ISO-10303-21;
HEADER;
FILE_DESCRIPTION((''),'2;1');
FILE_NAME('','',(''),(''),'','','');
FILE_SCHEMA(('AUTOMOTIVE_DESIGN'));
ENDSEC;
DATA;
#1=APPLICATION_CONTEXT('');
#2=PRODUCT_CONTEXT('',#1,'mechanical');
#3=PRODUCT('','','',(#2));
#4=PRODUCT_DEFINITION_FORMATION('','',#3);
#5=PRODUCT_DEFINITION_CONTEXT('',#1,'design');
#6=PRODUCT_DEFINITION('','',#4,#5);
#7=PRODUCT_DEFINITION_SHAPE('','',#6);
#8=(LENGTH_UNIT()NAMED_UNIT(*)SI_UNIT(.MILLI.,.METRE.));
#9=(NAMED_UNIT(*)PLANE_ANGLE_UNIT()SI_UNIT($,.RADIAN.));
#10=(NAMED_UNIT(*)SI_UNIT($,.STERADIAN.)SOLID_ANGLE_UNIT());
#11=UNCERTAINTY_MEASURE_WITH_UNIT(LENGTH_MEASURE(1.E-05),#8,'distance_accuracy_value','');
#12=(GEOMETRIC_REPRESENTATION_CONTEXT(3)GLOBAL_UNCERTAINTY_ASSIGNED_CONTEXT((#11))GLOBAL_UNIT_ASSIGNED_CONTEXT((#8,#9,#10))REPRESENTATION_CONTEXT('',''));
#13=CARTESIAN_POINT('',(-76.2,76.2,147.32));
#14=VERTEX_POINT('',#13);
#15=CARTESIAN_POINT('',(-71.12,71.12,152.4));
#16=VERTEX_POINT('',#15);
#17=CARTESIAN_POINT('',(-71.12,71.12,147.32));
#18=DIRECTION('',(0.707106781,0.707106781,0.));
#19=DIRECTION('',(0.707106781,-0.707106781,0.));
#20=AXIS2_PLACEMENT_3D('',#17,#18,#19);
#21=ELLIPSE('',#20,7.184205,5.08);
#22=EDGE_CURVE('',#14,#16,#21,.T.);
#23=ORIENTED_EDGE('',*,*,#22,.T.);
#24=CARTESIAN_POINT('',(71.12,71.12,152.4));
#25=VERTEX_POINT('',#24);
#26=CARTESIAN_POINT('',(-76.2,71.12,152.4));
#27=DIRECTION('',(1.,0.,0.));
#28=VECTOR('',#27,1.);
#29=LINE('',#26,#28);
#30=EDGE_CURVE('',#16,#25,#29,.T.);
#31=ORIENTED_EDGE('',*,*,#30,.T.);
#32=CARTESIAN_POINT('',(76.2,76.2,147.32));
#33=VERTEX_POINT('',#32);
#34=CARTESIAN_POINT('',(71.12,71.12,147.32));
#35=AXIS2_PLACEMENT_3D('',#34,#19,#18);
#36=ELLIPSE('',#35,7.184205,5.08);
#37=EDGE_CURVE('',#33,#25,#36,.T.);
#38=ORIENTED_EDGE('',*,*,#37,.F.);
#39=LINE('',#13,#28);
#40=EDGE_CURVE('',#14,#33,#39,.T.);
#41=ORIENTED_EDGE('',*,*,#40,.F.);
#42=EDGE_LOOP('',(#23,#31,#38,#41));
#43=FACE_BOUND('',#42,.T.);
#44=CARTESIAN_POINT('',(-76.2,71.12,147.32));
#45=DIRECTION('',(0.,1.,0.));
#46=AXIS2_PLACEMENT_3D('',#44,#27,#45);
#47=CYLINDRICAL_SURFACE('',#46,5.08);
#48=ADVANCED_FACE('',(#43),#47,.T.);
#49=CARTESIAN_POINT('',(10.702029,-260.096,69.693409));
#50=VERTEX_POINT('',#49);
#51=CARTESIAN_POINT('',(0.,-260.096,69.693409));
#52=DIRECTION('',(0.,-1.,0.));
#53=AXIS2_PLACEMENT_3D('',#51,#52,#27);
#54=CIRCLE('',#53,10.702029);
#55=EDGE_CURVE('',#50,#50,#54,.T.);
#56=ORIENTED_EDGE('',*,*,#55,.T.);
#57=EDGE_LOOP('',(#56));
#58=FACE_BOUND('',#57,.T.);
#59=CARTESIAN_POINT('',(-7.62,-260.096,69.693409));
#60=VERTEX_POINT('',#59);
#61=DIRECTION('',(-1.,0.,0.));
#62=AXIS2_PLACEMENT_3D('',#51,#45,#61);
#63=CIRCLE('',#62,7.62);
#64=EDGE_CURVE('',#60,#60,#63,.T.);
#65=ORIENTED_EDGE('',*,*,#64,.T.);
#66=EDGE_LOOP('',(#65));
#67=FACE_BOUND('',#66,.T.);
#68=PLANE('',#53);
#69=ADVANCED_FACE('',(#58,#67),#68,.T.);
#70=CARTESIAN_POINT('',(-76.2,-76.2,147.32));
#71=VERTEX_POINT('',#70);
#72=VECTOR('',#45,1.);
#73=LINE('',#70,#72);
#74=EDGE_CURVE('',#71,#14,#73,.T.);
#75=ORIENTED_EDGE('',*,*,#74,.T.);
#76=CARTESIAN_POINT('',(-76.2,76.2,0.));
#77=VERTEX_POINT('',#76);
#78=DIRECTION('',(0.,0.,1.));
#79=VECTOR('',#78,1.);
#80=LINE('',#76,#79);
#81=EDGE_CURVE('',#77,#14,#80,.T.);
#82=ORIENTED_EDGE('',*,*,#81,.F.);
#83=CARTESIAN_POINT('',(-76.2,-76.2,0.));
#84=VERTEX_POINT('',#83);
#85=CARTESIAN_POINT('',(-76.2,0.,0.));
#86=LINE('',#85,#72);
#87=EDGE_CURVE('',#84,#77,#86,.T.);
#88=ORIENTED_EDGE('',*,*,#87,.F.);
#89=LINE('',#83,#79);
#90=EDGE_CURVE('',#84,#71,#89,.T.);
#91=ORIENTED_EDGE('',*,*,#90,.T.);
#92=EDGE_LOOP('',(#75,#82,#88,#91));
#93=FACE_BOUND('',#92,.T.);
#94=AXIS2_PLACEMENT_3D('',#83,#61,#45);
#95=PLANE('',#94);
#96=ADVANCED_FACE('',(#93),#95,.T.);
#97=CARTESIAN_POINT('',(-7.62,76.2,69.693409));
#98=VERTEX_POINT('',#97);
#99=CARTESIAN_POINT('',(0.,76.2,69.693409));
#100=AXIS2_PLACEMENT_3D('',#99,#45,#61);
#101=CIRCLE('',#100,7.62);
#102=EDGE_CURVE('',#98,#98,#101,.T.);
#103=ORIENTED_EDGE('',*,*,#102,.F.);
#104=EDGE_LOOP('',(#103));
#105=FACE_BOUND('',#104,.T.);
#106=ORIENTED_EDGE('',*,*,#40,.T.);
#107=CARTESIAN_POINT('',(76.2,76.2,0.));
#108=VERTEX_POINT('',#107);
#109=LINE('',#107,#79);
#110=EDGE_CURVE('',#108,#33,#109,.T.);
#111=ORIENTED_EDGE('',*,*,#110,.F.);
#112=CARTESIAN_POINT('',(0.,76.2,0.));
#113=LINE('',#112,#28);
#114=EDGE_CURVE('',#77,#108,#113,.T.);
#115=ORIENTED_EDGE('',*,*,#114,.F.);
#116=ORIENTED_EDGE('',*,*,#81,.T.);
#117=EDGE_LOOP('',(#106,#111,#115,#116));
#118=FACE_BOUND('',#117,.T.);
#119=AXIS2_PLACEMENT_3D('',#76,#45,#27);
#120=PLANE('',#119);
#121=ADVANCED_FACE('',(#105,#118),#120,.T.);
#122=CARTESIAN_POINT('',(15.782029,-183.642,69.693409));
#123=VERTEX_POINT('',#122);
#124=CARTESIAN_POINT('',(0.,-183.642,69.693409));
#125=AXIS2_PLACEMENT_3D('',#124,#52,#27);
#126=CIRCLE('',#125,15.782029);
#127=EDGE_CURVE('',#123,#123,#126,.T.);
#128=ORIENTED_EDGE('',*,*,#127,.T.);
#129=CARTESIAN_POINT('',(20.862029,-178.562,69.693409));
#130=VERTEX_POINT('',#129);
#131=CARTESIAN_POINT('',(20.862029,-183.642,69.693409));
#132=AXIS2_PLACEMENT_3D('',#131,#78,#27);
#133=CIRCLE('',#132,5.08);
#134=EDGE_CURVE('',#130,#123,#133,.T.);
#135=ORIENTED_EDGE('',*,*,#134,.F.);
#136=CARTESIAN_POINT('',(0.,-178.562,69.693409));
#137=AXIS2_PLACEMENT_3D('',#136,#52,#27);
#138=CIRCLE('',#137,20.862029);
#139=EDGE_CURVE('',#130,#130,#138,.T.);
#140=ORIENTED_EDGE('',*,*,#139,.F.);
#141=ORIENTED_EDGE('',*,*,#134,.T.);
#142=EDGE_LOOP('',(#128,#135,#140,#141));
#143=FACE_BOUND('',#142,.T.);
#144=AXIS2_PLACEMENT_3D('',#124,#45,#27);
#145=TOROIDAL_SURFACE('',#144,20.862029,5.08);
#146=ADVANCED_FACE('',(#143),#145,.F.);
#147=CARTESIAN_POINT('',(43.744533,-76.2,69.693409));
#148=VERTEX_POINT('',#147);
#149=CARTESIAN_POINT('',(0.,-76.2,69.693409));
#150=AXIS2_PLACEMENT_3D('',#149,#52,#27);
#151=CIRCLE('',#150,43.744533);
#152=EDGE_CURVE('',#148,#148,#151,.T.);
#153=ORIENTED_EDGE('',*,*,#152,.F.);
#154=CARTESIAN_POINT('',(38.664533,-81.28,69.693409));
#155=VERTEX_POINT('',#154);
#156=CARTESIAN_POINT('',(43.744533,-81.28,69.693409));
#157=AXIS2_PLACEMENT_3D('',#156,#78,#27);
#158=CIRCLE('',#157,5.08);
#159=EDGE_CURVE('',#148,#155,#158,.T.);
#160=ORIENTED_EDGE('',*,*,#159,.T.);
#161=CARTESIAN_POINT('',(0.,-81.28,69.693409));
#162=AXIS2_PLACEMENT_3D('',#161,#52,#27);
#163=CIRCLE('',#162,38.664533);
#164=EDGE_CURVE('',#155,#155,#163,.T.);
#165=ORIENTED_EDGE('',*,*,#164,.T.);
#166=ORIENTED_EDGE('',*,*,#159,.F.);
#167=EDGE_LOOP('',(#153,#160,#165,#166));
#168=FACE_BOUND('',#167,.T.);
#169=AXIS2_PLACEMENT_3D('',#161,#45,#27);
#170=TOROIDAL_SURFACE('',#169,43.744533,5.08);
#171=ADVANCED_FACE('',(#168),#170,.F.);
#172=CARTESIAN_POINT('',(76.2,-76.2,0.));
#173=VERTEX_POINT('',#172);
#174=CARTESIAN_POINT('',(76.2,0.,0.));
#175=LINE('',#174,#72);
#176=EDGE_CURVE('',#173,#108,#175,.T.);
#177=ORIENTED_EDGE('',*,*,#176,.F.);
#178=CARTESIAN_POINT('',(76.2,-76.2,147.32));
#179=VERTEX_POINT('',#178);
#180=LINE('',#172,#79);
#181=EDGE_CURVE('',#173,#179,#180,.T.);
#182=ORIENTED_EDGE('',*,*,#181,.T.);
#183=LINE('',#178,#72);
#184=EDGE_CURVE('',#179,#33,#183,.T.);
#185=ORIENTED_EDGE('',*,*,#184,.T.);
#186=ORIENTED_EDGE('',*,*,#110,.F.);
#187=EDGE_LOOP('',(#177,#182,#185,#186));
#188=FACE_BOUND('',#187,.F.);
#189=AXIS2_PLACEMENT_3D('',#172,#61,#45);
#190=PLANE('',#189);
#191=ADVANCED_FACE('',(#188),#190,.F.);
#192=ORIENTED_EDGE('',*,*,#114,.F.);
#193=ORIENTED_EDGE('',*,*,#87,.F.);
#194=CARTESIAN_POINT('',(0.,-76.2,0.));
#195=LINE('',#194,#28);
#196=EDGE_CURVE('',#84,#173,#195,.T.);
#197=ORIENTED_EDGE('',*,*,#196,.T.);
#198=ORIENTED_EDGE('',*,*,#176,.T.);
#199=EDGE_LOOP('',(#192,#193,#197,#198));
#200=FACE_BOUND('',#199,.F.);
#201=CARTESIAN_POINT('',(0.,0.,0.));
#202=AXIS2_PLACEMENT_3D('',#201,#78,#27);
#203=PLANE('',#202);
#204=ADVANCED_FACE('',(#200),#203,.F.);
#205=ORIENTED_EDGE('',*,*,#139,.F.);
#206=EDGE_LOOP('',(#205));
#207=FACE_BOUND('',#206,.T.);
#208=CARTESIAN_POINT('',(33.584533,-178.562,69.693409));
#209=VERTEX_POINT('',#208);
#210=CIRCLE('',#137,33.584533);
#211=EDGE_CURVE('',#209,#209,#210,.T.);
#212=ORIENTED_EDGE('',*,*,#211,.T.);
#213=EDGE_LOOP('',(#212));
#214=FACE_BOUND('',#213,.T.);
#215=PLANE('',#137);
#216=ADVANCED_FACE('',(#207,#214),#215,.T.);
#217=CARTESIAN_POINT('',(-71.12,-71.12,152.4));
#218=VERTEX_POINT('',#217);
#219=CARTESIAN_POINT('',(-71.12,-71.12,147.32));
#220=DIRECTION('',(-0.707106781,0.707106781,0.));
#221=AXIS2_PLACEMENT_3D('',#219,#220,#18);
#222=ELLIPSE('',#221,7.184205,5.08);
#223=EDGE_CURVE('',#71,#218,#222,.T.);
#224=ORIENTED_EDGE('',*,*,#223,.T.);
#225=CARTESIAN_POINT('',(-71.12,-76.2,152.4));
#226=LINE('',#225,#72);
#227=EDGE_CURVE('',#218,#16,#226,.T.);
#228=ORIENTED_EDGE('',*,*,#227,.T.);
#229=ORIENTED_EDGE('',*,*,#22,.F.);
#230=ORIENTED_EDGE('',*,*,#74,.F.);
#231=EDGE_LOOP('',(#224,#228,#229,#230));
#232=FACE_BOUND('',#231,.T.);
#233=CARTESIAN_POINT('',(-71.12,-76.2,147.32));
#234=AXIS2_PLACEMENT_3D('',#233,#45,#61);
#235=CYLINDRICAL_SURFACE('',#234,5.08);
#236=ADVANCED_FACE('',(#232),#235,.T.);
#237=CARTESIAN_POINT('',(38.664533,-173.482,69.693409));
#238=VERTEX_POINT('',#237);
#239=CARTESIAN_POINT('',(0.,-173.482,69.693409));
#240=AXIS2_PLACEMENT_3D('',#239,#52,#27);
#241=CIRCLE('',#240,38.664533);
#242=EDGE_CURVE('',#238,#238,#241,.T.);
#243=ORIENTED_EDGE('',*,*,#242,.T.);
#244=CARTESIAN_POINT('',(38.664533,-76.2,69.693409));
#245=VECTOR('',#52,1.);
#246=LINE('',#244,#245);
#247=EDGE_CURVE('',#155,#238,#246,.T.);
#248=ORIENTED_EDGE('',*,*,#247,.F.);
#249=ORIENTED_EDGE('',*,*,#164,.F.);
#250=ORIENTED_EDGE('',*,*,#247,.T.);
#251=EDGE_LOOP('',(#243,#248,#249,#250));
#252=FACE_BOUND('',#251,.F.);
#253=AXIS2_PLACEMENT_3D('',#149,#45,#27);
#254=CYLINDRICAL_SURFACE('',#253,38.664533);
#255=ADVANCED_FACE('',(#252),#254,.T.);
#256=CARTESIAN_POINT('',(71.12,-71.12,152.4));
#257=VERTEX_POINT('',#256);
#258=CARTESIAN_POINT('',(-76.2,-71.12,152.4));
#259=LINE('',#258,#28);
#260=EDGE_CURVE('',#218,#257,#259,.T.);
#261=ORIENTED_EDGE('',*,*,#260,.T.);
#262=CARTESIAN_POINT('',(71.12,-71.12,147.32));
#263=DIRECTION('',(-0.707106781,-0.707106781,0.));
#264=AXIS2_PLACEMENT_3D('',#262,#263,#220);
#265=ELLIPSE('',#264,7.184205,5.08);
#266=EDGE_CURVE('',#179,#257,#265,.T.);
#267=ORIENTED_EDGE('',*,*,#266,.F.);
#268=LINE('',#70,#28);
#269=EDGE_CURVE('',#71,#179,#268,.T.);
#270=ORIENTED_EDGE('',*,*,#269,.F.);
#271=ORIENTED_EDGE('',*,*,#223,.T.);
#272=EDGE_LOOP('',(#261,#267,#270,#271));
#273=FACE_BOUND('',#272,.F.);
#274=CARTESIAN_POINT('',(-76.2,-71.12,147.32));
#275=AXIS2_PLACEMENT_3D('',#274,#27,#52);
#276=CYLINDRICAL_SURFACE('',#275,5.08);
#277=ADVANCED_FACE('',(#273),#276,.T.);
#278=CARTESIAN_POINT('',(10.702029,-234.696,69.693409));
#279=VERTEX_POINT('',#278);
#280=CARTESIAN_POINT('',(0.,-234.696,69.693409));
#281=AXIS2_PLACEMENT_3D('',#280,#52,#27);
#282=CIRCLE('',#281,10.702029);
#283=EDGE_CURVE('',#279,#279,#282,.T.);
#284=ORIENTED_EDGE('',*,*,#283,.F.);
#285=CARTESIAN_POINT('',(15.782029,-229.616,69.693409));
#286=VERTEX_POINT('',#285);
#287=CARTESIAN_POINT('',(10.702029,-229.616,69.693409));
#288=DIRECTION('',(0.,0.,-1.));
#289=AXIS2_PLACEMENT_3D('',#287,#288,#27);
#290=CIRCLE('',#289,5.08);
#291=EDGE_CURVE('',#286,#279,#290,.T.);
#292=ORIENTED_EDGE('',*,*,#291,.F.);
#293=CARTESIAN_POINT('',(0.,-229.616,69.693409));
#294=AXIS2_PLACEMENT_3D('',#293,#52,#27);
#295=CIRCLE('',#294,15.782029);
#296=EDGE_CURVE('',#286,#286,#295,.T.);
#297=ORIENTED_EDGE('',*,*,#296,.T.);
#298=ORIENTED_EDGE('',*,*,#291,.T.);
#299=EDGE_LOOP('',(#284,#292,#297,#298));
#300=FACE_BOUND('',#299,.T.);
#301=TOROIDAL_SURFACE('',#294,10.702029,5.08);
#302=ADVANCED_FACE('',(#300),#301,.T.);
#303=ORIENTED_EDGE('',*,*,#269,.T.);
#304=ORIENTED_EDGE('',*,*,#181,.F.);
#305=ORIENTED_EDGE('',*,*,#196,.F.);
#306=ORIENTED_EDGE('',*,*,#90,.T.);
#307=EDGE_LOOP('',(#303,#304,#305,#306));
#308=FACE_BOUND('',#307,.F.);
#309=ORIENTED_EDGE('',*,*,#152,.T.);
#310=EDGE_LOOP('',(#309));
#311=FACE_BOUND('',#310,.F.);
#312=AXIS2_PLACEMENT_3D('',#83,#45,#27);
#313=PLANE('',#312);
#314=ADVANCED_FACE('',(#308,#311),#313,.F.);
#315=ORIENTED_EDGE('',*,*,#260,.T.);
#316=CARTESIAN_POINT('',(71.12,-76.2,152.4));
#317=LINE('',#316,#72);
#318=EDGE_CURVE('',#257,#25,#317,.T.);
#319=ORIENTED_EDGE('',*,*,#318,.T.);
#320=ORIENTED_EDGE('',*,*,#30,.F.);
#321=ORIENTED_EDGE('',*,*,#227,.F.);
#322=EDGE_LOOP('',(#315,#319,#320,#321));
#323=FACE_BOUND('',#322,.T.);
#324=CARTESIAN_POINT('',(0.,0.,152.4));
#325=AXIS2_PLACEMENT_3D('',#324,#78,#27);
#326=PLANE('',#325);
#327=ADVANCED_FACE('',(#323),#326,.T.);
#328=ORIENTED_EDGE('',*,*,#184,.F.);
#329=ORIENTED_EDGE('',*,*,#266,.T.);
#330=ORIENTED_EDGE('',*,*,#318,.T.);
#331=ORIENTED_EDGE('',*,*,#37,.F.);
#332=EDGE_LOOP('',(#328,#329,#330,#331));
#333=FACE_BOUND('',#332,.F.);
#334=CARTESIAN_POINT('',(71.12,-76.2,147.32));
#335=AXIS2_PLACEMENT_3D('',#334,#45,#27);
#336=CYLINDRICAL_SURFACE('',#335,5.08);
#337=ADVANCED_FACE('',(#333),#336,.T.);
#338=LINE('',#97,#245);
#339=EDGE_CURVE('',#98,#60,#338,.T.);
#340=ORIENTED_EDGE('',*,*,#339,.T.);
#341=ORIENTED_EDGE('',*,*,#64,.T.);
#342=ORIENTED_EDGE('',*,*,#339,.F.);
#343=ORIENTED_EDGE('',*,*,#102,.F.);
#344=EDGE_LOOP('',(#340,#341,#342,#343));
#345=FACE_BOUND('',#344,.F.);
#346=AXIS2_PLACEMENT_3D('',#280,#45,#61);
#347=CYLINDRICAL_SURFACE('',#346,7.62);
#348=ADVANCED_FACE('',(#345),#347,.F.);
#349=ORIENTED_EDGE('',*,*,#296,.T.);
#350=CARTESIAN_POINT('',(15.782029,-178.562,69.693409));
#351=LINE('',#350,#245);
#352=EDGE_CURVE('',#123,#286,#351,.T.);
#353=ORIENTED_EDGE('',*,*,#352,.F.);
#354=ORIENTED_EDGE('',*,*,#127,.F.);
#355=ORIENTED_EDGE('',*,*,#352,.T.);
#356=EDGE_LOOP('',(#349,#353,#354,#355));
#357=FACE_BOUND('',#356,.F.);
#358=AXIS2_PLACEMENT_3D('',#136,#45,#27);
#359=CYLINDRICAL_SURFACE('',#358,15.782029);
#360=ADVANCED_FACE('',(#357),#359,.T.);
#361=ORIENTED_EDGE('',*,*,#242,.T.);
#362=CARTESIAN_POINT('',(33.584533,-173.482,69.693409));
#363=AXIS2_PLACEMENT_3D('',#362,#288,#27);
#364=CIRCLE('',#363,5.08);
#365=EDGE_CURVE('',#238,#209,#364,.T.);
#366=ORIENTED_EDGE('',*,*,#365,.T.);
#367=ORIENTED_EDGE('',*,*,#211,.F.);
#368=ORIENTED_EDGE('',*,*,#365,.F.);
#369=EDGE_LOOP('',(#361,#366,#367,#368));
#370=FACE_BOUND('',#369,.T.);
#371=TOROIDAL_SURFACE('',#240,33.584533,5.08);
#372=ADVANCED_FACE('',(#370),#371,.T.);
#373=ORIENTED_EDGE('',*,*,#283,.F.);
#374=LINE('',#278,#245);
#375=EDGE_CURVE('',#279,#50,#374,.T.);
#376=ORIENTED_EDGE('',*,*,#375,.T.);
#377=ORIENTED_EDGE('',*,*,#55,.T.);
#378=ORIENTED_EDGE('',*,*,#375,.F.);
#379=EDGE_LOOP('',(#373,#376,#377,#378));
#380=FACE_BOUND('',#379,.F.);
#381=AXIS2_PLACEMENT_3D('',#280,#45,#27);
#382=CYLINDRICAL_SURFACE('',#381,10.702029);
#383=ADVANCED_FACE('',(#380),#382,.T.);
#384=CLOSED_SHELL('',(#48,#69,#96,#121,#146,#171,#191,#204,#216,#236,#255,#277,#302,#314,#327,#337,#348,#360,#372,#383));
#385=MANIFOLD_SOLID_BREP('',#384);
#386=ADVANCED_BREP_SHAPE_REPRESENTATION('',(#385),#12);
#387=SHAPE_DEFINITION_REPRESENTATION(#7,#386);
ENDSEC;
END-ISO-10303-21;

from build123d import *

# Parameters (mm, degrees)
F0_W      = 152.4
F0_H      = 152.4
F1_DEPTH  = 152.4
F2_R      = 5.08
F3_R      = 38.6645331573
F4_DEPTH  = 102.362
F5_R      = 15.7820289437
F6_DEPTH  = 56.134
F7_R      = 5.08
F9_D      = 15.24
F10_DEPTH = 25.4


with BuildPart() as f1:
    # F0 (on Top) → F1 (new body)
    with BuildSketch(Plane.XY):
        Rectangle(F0_W, F0_H)
    extrude(amount=F1_DEPTH)

    # F2
    f2_edges = [f1.edges().sort_by_distance(p)[0] for p in [
        (76.2, 0, 152.4),
        (0, 76.2, 152.4),
        (-76.2, 0, 152.4),
        (0, -76.2, 152.4),
    ]]
    fillet(f2_edges, radius=F2_R)

    # F3 (on face) → F4 (join)
    with BuildSketch(Plane.XZ.offset(76.2)):
        with Locations((0, 69.6934089065)):
            Circle(F3_R)
    extrude(amount=F4_DEPTH)

    # F5 (on face) → F6 (join)
    with BuildSketch(Plane.XZ.offset(178.562)):
        with Locations((0, 69.6934089065)):
            Circle(F5_R)
    extrude(amount=F6_DEPTH)

    # F7
    f7_edges = [f1.edges().sort_by_distance(p)[0] for p in [
        (-15.782029, -234.696, 69.693409),
        (-15.782029, -178.562, 69.693409),
        (-38.664533, -178.562, 69.693409),
        (-38.664533, -76.2, 69.693409),
    ]]
    fillet(f7_edges, radius=F7_R)

    # F9 (through all)
    with Locations(Plane.XZ.offset(234.696)):
        with Locations((0, 69.6934089065)):
            Hole(F9_D / 2)

    # F10 (add): a face of the model
    f10_faces = [f1.faces().sort_by_distance(p)[0] for p in [
        (-10.3993298541, -234.696, 69.6934089065),
    ]]
    extrude(f10_faces, amount=F10_DEPTH)


solid = f1.part
